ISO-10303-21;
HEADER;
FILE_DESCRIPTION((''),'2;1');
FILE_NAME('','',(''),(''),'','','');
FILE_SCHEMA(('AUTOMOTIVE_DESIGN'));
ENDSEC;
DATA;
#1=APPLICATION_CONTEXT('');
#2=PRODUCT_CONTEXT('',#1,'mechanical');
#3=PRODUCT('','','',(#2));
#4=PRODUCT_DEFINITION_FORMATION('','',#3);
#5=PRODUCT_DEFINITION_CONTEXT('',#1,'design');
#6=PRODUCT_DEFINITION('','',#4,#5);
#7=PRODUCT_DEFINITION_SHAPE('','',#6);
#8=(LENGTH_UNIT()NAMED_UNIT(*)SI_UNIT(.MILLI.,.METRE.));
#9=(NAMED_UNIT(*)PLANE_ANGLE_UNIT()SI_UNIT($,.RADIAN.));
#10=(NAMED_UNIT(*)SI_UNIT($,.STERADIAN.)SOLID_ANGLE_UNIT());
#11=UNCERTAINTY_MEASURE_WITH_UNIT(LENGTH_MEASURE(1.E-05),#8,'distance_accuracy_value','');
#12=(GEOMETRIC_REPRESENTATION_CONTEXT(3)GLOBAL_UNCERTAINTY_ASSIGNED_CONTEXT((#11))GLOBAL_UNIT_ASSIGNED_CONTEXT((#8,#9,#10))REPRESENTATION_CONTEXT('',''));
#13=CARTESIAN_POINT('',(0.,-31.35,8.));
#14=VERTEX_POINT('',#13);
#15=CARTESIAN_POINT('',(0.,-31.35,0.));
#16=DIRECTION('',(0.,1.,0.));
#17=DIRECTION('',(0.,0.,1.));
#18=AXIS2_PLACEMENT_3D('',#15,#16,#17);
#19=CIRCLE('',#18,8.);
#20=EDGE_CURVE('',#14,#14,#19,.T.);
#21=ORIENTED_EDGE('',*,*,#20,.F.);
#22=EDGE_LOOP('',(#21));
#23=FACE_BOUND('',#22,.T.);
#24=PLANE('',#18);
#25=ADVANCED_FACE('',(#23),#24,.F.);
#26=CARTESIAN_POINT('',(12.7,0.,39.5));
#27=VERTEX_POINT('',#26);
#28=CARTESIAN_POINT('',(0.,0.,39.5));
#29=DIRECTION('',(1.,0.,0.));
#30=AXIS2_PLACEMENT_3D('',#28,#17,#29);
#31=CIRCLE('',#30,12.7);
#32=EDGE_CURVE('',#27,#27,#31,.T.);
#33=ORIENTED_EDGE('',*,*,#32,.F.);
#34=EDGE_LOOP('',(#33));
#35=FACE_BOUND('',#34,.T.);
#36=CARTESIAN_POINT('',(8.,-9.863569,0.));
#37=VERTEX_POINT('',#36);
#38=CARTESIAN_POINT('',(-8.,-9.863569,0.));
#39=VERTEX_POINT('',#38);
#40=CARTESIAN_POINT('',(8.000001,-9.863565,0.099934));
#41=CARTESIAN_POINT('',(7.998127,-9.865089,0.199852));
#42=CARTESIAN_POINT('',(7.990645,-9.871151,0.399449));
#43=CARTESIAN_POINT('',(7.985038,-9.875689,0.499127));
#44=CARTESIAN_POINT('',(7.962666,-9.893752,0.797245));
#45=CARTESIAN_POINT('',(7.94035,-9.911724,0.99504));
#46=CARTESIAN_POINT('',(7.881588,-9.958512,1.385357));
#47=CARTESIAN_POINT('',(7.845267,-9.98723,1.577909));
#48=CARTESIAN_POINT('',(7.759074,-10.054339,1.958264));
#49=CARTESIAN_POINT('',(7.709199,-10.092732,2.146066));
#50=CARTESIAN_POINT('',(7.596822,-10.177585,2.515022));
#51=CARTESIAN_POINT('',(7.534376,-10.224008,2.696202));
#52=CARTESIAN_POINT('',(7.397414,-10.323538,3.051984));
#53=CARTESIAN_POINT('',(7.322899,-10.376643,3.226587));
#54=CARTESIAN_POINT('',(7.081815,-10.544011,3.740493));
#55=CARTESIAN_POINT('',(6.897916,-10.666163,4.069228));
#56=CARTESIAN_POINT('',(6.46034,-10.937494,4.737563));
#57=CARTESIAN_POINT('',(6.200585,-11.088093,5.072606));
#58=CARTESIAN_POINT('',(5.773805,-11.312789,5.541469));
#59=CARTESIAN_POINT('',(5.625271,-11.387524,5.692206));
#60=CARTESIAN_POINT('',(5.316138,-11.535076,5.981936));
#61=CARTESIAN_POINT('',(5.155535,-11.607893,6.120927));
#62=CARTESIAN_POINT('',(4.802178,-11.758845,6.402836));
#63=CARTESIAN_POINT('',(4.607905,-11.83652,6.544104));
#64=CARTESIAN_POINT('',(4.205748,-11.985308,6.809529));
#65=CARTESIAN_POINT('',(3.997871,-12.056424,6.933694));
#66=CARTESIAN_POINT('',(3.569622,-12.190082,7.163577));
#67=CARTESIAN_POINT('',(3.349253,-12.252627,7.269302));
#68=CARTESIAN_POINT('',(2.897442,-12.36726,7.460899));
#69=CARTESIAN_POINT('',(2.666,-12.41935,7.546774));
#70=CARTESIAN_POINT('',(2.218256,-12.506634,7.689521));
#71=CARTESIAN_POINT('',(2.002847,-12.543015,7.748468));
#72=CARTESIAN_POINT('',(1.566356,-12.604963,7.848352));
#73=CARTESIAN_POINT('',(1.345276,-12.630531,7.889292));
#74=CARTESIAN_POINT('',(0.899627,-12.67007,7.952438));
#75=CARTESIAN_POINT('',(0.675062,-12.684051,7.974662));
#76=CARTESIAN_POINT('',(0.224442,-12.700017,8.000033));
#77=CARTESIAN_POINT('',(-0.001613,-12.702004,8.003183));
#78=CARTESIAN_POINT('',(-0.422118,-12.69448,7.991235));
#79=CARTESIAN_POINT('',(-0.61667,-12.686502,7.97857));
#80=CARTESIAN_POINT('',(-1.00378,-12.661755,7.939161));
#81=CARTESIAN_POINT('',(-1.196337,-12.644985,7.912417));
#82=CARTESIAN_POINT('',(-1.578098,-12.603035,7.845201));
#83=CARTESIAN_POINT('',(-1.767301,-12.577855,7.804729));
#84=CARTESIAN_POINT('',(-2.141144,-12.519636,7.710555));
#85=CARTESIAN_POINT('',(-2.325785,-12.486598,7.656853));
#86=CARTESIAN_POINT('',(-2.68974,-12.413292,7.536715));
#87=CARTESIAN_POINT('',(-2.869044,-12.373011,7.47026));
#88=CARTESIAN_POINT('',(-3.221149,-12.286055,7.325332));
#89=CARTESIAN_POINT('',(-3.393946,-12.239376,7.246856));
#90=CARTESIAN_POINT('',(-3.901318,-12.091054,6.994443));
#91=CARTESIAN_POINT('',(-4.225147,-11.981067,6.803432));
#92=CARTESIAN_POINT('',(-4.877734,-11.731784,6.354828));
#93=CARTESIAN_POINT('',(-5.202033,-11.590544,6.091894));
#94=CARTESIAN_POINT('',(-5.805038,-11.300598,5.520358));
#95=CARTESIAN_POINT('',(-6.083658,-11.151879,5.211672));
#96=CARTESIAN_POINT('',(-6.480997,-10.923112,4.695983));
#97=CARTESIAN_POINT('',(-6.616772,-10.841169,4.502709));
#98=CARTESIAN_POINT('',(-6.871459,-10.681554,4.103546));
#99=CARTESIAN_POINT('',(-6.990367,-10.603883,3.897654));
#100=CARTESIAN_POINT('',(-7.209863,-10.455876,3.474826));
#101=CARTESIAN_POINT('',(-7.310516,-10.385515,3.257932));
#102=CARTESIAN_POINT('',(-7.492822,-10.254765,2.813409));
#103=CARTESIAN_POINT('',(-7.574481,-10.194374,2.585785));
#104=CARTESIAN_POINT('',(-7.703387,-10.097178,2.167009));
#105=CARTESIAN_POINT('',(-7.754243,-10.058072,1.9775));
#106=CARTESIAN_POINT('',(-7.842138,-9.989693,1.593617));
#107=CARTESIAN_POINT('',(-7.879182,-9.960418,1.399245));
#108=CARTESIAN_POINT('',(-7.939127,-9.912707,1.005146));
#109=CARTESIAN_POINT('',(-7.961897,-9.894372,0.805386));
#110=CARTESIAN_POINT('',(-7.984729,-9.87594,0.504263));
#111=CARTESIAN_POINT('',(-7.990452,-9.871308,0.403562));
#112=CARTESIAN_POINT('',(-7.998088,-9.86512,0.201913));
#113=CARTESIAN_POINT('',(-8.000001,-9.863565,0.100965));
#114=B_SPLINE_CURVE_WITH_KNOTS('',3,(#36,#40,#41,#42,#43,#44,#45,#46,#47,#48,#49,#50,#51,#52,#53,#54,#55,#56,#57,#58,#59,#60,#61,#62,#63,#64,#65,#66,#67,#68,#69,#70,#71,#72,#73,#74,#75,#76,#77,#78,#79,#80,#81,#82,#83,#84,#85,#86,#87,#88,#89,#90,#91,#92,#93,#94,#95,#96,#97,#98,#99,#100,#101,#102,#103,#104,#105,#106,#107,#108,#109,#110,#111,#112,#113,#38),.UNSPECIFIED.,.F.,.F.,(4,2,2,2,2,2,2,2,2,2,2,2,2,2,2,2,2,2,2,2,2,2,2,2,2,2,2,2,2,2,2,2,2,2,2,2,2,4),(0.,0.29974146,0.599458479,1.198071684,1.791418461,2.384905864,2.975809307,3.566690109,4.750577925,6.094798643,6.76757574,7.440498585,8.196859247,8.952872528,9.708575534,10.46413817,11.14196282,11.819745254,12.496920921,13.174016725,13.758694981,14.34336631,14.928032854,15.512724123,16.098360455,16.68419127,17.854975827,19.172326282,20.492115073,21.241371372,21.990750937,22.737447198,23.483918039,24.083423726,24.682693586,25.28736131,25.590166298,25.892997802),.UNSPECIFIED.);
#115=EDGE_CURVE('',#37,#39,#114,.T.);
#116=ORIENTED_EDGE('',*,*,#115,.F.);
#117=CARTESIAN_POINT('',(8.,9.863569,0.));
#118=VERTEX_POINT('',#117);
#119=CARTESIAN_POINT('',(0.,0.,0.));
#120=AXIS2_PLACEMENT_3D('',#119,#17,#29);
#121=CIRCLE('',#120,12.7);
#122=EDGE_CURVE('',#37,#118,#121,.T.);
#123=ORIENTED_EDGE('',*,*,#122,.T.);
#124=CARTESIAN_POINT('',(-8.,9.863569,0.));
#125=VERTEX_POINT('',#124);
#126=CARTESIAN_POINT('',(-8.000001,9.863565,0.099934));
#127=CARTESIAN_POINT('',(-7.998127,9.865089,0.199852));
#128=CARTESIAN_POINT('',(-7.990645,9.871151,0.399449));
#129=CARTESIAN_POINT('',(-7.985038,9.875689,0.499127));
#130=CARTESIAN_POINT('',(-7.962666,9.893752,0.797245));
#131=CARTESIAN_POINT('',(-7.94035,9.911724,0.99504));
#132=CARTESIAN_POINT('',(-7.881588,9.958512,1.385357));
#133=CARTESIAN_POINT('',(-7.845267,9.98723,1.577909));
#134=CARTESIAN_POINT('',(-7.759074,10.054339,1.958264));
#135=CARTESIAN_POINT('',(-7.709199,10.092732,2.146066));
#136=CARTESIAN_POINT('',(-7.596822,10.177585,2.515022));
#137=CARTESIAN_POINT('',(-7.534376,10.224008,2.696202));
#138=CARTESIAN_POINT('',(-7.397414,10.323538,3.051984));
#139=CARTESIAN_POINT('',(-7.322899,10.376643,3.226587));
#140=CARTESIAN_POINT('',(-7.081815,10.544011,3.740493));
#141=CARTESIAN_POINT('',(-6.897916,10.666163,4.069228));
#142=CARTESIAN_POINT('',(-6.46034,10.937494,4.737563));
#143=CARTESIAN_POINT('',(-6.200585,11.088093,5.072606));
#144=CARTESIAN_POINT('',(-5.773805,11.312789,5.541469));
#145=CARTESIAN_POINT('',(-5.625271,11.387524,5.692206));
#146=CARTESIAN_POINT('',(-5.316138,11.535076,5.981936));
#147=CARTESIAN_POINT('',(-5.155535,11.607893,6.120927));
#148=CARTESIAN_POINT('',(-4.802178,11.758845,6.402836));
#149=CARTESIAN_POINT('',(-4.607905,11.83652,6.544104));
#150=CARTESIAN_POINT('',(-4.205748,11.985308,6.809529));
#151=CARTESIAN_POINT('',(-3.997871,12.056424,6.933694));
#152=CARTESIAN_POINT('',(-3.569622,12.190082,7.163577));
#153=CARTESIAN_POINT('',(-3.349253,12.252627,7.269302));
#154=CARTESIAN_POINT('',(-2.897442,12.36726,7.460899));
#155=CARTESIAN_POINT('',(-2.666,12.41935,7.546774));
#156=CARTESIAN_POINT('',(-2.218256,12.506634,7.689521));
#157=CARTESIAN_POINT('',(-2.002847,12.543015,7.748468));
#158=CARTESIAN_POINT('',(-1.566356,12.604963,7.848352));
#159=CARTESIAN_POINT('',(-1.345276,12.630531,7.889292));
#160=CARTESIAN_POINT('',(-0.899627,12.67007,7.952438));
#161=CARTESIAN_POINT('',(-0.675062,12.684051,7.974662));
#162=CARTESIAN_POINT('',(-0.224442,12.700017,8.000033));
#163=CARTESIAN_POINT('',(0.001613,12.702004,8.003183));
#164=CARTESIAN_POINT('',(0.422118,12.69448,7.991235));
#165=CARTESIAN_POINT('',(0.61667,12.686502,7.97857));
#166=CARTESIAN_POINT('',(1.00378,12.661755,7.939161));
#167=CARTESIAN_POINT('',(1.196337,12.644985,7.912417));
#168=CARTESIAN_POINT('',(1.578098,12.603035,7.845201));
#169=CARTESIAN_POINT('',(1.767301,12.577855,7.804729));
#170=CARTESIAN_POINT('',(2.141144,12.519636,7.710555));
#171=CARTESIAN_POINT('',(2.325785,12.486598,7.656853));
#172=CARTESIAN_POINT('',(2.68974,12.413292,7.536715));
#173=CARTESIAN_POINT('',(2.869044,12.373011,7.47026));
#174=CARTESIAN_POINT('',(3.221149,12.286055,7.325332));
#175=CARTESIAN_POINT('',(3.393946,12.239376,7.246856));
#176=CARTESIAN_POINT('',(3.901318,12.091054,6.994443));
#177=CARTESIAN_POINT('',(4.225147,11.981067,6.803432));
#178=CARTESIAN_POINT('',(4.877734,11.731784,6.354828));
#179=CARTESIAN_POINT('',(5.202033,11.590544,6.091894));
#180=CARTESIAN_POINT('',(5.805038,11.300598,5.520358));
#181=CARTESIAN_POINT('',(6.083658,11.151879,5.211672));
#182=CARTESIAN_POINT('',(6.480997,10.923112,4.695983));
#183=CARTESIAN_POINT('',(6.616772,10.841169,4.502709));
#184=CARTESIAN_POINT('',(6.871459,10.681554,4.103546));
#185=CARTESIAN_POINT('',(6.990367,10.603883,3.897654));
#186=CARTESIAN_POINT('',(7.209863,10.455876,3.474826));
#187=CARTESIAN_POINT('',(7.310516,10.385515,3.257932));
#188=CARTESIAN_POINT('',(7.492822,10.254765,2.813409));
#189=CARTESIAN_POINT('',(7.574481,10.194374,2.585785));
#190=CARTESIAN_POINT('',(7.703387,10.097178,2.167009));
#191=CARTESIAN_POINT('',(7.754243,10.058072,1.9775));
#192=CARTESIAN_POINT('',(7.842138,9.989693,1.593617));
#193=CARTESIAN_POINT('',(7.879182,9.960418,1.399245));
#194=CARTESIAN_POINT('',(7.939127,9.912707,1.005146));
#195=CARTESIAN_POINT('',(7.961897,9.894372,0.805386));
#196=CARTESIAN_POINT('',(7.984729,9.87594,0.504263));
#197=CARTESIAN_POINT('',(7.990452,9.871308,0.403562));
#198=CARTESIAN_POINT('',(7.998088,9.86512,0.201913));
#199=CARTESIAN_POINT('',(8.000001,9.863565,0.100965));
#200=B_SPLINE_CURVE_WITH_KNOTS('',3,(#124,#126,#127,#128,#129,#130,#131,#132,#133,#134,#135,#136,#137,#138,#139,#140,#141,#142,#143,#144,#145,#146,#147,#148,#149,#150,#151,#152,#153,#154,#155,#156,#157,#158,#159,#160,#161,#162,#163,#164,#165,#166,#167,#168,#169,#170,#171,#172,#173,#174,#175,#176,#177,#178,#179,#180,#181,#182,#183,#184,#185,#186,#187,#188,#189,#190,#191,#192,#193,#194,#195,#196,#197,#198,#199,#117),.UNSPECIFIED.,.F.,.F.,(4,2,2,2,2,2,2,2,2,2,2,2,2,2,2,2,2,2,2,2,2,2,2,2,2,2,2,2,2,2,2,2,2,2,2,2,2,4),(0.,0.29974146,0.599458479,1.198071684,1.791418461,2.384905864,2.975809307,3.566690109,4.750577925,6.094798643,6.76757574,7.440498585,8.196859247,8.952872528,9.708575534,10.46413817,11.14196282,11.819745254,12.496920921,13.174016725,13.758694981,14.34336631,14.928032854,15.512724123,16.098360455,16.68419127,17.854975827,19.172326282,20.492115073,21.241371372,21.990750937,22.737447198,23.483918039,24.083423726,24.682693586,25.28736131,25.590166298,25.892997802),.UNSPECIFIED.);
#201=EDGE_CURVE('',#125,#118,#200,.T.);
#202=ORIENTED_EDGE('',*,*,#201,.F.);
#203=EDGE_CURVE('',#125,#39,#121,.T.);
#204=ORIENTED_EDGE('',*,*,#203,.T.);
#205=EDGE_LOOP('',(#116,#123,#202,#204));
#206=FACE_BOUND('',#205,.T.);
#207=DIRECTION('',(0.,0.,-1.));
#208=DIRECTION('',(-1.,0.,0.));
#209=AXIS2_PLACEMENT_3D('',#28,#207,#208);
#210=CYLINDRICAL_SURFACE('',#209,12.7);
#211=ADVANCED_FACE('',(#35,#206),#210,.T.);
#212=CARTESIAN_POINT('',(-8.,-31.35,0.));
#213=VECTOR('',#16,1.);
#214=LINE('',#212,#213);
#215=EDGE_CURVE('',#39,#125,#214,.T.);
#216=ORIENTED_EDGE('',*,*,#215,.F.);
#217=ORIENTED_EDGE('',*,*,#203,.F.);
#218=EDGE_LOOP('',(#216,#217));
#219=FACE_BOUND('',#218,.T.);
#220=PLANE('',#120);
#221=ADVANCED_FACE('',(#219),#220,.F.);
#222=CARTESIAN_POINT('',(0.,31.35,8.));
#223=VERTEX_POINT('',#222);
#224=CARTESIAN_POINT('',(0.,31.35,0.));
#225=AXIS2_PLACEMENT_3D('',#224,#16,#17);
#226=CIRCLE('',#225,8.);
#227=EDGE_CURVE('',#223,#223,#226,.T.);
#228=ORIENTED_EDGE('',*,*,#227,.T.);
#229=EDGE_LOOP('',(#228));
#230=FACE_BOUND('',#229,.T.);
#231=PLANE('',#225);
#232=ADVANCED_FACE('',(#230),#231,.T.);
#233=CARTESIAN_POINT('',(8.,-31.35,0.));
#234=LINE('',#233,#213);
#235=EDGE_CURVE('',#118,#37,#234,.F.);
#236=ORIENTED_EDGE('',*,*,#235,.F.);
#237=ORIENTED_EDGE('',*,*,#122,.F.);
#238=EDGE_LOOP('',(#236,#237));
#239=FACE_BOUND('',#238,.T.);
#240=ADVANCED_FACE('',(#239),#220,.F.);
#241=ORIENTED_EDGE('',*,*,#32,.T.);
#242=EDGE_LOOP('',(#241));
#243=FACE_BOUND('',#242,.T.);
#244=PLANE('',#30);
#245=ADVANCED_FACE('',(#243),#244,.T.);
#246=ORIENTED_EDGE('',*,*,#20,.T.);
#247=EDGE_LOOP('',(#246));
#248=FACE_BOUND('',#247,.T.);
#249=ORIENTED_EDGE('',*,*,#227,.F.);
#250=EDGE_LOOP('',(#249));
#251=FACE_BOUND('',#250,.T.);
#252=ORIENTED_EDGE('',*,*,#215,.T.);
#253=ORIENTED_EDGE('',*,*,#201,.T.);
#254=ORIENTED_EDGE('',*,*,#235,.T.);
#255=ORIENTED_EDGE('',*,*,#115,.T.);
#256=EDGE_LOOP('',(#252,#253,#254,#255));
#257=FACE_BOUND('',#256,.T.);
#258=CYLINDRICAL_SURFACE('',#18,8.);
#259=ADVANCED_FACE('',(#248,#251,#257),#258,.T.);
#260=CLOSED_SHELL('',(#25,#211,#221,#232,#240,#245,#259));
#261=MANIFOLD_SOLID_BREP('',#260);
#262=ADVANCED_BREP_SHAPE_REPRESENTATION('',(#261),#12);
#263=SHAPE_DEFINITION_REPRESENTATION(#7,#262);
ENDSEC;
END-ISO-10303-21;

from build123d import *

# Parameters (mm, degrees)
BOSS_EXTRUDE1_DEPTH      = 31.35
BOSS_EXTRUDE1_DEPTH_BACK = 31.35
SKETCH1_R                = 8
SKETCH2_R                = 12.7
BOSS_EXTRUDE2_DEPTH      = 39.5


with BuildPart() as part:
    # Sketch1 → Boss-Extrude1 (new, two sides: drawn at the far end of the back side and taken through both)
    with BuildSketch(Plane(origin=(0, 0, 0), x_dir=(1, 0, 0), z_dir=(0, 1, 0)).offset(-BOSS_EXTRUDE1_DEPTH_BACK)):
        Circle(SKETCH1_R)
    extrude(amount=BOSS_EXTRUDE1_DEPTH + BOSS_EXTRUDE1_DEPTH_BACK)

    # Sketch2 → Boss-Extrude2 (add)
    with BuildSketch(Plane.XY):
        Circle(SKETCH2_R)
    extrude(amount=BOSS_EXTRUDE2_DEPTH)


solid = part.part
